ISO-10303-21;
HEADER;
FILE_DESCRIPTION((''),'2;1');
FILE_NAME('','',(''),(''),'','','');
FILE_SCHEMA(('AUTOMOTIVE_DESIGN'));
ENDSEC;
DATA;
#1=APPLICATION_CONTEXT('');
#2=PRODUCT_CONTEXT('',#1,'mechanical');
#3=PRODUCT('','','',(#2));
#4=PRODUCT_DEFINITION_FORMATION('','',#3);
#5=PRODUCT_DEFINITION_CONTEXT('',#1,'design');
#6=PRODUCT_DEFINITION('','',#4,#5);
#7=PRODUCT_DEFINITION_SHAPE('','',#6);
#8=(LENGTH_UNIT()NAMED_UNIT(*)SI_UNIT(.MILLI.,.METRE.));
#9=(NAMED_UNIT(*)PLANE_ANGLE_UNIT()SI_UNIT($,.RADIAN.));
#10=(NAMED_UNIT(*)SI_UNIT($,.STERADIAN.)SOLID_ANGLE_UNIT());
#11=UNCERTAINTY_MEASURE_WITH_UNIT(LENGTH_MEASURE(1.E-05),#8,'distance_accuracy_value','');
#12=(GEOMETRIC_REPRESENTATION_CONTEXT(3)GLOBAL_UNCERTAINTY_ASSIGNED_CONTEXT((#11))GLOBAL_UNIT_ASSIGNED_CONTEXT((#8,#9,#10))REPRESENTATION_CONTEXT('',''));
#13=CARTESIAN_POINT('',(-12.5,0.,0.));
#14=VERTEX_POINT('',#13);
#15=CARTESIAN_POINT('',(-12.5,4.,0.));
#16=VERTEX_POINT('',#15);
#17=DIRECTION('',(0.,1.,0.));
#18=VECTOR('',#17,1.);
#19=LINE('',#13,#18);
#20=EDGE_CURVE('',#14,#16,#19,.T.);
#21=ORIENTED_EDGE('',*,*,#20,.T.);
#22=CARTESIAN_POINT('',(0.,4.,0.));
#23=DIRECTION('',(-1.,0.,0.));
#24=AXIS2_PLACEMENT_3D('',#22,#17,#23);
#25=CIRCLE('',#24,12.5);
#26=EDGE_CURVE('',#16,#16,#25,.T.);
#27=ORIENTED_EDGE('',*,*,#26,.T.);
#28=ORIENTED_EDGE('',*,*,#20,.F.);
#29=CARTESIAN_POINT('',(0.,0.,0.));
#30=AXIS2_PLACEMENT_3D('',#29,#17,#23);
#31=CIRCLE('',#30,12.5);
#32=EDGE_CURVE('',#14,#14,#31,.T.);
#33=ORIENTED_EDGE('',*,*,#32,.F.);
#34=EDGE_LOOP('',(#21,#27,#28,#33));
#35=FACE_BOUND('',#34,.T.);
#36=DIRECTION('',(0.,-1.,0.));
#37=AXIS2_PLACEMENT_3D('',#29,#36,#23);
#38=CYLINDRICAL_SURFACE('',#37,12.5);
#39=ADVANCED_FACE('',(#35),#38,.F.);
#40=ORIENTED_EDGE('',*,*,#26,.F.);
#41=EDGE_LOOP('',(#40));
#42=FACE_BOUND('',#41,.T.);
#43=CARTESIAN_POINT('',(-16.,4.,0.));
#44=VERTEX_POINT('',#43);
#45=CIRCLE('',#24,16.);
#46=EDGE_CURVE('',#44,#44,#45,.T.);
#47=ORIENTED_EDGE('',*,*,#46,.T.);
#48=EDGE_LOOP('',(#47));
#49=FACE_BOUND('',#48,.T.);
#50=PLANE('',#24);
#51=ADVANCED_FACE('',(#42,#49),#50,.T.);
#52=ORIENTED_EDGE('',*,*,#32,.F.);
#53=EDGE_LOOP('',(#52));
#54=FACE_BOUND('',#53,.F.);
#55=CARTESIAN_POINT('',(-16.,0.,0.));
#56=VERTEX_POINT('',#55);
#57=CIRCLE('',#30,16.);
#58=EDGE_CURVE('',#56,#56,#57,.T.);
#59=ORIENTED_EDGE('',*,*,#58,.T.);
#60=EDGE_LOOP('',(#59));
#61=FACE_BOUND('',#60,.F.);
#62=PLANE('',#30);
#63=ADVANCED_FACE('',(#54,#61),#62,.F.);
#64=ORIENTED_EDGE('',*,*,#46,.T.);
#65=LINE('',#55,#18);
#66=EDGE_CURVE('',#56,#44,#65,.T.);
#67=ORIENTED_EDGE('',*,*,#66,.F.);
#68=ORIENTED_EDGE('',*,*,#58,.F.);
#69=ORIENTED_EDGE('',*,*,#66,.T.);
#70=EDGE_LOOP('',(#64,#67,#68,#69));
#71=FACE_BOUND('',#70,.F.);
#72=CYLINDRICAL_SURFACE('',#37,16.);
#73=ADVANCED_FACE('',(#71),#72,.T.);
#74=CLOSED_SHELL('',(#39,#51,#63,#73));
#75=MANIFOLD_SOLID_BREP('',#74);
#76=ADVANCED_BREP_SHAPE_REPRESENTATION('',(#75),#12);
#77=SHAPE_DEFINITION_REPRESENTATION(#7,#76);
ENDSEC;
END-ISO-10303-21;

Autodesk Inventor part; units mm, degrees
ref_plane "YZ Plane" through (0, 0, 0) normal (1, 0, 0) x (0, 1, 0)
ref_plane "XZ Plane" through (0, 0, 0) normal (0, 1, 0) x (-1, 0, 0)
ref_plane "XY Plane" through (0, 0, 0) normal (0, 0, 1) x (1, 0, 0)
sketch "Sketch1" plane through (0, 0, 0) normal (0, 1, 0) x (-1, 0, 0)
  circle A0 centre (0, 0) radius 12.5
  circle A1 centre (0, 0) radius 16
  dimension "d0" = 25
  dimension "d1" = 32
extrude "Extrusion1" add sketch "Sketch1" along normal blind 4
properties part number "armbearing1" material "Stainless Steel"
